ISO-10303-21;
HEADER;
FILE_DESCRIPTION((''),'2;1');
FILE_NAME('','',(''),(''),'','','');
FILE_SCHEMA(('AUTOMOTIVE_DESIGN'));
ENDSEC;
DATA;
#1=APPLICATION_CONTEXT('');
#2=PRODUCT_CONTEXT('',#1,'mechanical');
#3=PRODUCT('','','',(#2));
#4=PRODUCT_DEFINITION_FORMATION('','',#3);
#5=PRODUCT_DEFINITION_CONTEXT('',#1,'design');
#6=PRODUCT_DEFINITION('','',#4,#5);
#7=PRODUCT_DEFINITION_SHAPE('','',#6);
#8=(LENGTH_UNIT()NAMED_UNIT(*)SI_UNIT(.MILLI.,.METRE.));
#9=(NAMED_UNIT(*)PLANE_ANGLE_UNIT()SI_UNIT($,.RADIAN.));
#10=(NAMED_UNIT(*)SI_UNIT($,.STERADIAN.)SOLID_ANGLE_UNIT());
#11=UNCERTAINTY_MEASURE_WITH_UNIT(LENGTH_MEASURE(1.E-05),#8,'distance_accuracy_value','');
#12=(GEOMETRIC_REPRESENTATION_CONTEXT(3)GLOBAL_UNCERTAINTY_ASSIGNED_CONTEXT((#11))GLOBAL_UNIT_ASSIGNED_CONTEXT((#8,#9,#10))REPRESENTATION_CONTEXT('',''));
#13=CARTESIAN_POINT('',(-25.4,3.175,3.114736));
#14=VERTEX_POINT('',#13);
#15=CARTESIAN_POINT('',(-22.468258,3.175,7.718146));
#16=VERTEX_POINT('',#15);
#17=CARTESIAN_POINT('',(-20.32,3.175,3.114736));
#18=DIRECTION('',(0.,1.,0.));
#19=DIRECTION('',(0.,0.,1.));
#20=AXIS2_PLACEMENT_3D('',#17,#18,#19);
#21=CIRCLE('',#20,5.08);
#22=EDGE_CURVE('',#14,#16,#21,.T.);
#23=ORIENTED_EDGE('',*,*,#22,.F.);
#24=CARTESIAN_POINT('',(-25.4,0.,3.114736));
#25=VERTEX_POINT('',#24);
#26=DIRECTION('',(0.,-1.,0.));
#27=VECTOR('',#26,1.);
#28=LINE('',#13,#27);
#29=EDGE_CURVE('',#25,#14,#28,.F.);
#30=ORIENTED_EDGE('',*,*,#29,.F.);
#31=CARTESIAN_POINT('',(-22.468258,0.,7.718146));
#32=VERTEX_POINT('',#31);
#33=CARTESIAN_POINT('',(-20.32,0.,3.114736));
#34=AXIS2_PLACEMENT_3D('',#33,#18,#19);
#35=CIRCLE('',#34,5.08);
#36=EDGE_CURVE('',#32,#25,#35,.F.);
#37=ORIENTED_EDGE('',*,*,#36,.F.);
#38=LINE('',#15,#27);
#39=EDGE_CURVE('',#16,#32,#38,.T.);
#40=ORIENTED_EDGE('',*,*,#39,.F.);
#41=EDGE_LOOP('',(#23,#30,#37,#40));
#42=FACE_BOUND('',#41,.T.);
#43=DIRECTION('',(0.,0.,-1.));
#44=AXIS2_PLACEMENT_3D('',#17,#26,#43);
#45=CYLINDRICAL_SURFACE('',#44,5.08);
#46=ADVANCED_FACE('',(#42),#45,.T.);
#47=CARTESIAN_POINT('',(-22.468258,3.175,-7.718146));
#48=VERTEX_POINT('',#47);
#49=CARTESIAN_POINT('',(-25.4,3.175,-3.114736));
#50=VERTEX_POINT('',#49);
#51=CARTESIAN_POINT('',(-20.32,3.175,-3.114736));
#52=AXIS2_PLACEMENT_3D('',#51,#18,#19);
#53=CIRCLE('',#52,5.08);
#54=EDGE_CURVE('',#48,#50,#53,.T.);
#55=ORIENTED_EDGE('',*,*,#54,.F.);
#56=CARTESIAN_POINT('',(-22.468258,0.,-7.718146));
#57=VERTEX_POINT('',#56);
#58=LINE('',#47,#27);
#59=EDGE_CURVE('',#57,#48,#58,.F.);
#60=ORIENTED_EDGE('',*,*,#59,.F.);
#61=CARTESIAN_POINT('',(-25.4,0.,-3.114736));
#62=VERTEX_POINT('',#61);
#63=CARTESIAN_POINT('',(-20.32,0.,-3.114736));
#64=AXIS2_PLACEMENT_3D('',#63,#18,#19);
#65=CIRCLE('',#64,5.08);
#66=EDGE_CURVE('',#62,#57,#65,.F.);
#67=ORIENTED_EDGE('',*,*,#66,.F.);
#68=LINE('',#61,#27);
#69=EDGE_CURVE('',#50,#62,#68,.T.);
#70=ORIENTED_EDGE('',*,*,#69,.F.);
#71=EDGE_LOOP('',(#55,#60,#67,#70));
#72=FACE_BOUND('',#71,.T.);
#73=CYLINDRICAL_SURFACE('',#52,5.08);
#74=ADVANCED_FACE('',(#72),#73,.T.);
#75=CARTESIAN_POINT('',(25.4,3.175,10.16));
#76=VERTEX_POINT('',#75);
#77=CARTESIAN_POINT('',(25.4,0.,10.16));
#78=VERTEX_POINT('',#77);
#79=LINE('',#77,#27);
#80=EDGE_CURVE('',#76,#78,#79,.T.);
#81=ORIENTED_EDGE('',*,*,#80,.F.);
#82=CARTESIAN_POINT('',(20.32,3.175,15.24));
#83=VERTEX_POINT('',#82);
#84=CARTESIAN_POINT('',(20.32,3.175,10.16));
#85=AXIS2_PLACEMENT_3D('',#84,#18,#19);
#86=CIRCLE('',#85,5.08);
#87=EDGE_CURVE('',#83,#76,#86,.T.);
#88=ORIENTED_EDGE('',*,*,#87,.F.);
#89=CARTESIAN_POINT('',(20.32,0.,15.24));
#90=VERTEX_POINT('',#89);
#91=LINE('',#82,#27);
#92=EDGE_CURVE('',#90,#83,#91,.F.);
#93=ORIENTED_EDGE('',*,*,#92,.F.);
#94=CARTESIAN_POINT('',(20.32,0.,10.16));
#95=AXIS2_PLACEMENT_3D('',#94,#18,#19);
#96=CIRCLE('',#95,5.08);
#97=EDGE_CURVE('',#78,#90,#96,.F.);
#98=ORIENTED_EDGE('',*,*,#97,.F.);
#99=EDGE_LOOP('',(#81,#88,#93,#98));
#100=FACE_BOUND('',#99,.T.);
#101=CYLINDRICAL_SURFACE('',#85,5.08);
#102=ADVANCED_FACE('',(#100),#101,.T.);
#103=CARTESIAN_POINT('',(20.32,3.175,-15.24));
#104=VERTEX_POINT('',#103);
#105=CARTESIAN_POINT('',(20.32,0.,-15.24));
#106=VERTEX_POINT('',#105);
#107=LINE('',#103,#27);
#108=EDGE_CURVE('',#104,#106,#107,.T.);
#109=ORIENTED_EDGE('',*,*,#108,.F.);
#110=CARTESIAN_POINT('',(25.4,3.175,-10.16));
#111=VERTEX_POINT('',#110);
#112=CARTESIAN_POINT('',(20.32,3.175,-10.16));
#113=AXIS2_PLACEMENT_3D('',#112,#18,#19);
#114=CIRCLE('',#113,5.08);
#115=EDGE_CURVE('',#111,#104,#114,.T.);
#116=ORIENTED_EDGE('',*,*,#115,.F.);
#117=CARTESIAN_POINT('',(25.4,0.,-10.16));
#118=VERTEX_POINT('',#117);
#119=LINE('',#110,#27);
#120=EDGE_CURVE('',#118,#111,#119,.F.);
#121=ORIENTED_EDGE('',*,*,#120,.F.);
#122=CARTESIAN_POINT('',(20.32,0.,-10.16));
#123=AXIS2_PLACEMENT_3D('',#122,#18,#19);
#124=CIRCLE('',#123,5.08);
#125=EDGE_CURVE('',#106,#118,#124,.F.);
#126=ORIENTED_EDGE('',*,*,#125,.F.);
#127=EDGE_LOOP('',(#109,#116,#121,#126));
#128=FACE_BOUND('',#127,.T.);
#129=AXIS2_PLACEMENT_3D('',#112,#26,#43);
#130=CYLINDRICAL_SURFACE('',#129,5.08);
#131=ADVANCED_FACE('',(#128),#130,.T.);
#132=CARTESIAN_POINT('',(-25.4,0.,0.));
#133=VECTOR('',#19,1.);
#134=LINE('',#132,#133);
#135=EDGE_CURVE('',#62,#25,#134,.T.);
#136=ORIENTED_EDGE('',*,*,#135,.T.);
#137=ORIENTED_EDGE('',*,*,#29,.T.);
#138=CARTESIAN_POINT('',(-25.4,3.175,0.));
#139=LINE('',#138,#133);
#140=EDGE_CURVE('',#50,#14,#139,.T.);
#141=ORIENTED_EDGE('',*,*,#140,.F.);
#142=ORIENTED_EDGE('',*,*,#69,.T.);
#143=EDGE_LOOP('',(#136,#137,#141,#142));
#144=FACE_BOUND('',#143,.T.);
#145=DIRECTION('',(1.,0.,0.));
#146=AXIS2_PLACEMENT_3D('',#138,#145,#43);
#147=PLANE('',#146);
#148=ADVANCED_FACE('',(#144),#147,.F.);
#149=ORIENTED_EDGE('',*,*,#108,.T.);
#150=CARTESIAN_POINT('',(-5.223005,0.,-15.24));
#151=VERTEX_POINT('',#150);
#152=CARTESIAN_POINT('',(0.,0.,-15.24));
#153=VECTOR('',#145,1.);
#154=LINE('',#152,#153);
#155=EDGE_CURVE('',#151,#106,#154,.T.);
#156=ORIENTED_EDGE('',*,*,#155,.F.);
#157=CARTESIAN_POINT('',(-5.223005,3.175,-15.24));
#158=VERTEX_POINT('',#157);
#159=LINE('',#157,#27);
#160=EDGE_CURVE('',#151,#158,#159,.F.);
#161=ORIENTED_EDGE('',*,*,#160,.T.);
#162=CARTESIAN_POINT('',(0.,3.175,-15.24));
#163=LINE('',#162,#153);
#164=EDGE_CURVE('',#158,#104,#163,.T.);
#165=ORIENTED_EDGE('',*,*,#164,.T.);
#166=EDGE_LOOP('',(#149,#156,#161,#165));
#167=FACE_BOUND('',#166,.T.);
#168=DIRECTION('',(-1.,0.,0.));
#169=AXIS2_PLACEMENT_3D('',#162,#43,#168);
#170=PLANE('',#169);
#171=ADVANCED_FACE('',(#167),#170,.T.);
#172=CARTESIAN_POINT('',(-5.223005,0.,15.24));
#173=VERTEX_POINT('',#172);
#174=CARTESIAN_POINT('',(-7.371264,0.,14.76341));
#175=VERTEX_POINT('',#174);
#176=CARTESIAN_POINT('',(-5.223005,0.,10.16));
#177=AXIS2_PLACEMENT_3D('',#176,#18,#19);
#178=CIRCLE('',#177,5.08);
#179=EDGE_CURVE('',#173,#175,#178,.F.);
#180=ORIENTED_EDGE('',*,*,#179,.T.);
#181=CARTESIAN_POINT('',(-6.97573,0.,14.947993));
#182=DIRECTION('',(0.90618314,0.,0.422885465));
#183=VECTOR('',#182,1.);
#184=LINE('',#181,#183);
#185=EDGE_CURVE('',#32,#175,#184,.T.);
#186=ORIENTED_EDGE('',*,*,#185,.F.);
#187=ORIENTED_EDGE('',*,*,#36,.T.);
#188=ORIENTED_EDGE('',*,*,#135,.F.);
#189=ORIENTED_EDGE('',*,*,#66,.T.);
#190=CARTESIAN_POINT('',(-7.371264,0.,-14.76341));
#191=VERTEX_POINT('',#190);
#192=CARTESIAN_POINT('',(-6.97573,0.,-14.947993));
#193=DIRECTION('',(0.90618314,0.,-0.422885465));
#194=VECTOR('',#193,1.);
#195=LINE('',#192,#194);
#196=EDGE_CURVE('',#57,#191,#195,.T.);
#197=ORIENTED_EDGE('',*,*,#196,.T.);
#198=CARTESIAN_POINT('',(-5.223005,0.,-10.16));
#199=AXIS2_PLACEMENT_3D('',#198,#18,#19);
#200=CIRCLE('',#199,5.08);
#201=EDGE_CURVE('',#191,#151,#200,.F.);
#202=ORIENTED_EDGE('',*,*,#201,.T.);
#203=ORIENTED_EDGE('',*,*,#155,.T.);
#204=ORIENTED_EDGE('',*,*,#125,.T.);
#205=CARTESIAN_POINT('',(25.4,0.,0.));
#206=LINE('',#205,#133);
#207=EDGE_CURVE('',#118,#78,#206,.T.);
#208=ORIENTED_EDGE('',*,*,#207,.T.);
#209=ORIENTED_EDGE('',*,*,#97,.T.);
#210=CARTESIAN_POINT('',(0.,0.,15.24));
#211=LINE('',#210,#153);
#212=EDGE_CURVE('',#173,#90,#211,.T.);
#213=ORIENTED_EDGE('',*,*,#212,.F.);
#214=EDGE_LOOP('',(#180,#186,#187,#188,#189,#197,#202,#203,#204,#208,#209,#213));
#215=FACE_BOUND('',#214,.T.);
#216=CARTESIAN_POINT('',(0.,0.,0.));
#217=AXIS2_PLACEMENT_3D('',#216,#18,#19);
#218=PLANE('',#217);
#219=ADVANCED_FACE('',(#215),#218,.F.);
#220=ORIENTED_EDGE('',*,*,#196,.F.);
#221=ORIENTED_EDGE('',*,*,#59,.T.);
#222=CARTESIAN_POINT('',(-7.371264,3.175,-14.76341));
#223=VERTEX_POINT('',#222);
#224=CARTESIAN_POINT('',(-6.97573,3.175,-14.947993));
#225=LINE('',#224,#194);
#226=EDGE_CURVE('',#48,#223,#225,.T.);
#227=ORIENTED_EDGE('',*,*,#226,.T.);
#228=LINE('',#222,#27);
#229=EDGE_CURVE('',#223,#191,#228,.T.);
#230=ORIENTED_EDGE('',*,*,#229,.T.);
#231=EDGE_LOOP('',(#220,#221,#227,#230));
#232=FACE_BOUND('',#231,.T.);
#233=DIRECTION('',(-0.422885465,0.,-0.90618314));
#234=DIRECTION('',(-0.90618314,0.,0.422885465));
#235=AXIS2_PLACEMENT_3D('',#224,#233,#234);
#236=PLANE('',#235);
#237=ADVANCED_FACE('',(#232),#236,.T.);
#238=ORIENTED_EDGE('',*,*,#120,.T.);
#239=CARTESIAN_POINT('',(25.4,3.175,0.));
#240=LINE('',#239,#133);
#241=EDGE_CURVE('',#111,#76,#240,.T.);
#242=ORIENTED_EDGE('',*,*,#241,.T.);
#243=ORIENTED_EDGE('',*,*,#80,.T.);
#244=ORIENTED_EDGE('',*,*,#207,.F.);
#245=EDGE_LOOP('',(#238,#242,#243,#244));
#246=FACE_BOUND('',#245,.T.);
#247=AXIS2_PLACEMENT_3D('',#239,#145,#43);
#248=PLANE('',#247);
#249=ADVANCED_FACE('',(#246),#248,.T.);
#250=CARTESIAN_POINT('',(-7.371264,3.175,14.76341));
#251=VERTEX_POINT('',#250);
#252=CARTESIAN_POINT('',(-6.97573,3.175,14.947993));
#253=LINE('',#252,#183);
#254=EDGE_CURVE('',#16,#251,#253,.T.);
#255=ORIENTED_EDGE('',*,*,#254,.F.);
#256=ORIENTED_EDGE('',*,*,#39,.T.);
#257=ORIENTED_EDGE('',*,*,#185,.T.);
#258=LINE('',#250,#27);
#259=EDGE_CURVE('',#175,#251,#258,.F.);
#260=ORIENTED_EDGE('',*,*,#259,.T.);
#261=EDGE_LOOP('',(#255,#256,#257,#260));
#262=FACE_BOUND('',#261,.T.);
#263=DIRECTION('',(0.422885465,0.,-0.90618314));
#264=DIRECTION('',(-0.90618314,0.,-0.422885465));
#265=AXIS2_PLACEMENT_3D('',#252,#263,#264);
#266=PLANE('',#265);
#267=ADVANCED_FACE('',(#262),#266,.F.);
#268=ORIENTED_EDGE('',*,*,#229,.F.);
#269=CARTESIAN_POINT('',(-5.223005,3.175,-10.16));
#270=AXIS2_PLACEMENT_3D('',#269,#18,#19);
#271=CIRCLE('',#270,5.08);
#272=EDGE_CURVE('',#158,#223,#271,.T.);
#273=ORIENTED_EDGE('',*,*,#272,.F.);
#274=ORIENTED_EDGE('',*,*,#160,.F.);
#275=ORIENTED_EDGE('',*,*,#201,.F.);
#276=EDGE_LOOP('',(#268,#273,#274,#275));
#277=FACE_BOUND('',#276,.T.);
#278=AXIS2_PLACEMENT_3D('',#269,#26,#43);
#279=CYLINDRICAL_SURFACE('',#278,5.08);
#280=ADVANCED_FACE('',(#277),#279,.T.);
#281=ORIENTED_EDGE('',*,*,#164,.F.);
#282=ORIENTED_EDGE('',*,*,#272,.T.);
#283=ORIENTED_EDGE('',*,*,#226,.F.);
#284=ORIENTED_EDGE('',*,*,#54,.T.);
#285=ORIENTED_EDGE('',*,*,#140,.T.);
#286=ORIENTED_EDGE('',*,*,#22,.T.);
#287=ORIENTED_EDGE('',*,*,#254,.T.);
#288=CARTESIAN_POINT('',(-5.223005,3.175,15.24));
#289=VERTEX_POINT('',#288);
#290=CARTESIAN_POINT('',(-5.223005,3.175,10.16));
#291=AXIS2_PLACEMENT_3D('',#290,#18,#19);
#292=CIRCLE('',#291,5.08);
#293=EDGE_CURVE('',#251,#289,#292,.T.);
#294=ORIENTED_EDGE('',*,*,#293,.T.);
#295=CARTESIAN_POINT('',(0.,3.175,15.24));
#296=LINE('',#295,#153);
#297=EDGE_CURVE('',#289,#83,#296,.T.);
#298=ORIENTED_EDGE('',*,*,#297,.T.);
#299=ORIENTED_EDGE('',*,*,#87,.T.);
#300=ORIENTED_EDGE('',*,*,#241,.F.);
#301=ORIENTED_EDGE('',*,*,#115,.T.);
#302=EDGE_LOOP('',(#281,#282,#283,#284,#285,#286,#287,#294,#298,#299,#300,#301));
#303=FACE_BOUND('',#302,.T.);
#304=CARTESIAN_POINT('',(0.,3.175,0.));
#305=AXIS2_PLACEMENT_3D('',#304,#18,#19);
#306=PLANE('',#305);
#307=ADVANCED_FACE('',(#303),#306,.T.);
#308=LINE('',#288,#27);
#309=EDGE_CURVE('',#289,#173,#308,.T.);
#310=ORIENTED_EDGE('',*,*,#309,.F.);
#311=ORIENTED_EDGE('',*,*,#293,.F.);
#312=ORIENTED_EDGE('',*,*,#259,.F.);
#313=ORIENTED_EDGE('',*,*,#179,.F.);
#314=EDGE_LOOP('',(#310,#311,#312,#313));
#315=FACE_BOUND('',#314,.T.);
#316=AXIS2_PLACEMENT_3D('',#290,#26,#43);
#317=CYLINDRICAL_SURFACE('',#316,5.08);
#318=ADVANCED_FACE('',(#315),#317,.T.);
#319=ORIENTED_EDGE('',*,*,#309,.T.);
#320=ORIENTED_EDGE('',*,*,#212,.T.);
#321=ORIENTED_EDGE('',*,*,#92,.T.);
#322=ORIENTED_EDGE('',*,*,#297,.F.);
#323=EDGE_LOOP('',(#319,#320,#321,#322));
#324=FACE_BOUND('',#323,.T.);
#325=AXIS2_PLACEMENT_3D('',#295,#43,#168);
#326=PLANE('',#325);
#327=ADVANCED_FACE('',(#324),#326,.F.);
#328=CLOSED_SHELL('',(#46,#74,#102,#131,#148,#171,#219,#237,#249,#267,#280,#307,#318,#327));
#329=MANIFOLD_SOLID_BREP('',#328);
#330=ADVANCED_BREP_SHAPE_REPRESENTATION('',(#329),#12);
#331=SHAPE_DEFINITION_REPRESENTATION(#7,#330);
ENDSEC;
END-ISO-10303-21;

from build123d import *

# Parameters (mm, degrees)
BOSS_EXTRUDE1_DEPTH = 3.175
FILLET2_R           = 5.08


with BuildPart() as part:
    # Sketch1 → Boss-Extrude1 (new body)
    with BuildSketch(Plane(origin=(0, 0, 0), x_dir=(1, 0, 0), z_dir=(0, 1, 0))):
        Polygon((-6.35, 15.24), (-25.4, 6.35), (-25.4, -6.35), (-6.35, -15.24), (25.4, -15.24), (25.4, 15.24), align=None)
    extrude(amount=BOSS_EXTRUDE1_DEPTH)

    # Fillet2
    fillet2_edges = [part.edges().sort_by_distance(p)[0] for p in [
        (-25.4, 1.5875, -6.35),
        (-6.35, 1.5875, -15.24),
        (25.4, 1.5875, -15.24),
        (25.4, 1.5875, 15.24),
        (-6.35, 1.5875, 15.24),
        (-25.4, 1.5875, 6.35),
    ]]
    fillet(fillet2_edges, radius=FILLET2_R)


solid = part.part
